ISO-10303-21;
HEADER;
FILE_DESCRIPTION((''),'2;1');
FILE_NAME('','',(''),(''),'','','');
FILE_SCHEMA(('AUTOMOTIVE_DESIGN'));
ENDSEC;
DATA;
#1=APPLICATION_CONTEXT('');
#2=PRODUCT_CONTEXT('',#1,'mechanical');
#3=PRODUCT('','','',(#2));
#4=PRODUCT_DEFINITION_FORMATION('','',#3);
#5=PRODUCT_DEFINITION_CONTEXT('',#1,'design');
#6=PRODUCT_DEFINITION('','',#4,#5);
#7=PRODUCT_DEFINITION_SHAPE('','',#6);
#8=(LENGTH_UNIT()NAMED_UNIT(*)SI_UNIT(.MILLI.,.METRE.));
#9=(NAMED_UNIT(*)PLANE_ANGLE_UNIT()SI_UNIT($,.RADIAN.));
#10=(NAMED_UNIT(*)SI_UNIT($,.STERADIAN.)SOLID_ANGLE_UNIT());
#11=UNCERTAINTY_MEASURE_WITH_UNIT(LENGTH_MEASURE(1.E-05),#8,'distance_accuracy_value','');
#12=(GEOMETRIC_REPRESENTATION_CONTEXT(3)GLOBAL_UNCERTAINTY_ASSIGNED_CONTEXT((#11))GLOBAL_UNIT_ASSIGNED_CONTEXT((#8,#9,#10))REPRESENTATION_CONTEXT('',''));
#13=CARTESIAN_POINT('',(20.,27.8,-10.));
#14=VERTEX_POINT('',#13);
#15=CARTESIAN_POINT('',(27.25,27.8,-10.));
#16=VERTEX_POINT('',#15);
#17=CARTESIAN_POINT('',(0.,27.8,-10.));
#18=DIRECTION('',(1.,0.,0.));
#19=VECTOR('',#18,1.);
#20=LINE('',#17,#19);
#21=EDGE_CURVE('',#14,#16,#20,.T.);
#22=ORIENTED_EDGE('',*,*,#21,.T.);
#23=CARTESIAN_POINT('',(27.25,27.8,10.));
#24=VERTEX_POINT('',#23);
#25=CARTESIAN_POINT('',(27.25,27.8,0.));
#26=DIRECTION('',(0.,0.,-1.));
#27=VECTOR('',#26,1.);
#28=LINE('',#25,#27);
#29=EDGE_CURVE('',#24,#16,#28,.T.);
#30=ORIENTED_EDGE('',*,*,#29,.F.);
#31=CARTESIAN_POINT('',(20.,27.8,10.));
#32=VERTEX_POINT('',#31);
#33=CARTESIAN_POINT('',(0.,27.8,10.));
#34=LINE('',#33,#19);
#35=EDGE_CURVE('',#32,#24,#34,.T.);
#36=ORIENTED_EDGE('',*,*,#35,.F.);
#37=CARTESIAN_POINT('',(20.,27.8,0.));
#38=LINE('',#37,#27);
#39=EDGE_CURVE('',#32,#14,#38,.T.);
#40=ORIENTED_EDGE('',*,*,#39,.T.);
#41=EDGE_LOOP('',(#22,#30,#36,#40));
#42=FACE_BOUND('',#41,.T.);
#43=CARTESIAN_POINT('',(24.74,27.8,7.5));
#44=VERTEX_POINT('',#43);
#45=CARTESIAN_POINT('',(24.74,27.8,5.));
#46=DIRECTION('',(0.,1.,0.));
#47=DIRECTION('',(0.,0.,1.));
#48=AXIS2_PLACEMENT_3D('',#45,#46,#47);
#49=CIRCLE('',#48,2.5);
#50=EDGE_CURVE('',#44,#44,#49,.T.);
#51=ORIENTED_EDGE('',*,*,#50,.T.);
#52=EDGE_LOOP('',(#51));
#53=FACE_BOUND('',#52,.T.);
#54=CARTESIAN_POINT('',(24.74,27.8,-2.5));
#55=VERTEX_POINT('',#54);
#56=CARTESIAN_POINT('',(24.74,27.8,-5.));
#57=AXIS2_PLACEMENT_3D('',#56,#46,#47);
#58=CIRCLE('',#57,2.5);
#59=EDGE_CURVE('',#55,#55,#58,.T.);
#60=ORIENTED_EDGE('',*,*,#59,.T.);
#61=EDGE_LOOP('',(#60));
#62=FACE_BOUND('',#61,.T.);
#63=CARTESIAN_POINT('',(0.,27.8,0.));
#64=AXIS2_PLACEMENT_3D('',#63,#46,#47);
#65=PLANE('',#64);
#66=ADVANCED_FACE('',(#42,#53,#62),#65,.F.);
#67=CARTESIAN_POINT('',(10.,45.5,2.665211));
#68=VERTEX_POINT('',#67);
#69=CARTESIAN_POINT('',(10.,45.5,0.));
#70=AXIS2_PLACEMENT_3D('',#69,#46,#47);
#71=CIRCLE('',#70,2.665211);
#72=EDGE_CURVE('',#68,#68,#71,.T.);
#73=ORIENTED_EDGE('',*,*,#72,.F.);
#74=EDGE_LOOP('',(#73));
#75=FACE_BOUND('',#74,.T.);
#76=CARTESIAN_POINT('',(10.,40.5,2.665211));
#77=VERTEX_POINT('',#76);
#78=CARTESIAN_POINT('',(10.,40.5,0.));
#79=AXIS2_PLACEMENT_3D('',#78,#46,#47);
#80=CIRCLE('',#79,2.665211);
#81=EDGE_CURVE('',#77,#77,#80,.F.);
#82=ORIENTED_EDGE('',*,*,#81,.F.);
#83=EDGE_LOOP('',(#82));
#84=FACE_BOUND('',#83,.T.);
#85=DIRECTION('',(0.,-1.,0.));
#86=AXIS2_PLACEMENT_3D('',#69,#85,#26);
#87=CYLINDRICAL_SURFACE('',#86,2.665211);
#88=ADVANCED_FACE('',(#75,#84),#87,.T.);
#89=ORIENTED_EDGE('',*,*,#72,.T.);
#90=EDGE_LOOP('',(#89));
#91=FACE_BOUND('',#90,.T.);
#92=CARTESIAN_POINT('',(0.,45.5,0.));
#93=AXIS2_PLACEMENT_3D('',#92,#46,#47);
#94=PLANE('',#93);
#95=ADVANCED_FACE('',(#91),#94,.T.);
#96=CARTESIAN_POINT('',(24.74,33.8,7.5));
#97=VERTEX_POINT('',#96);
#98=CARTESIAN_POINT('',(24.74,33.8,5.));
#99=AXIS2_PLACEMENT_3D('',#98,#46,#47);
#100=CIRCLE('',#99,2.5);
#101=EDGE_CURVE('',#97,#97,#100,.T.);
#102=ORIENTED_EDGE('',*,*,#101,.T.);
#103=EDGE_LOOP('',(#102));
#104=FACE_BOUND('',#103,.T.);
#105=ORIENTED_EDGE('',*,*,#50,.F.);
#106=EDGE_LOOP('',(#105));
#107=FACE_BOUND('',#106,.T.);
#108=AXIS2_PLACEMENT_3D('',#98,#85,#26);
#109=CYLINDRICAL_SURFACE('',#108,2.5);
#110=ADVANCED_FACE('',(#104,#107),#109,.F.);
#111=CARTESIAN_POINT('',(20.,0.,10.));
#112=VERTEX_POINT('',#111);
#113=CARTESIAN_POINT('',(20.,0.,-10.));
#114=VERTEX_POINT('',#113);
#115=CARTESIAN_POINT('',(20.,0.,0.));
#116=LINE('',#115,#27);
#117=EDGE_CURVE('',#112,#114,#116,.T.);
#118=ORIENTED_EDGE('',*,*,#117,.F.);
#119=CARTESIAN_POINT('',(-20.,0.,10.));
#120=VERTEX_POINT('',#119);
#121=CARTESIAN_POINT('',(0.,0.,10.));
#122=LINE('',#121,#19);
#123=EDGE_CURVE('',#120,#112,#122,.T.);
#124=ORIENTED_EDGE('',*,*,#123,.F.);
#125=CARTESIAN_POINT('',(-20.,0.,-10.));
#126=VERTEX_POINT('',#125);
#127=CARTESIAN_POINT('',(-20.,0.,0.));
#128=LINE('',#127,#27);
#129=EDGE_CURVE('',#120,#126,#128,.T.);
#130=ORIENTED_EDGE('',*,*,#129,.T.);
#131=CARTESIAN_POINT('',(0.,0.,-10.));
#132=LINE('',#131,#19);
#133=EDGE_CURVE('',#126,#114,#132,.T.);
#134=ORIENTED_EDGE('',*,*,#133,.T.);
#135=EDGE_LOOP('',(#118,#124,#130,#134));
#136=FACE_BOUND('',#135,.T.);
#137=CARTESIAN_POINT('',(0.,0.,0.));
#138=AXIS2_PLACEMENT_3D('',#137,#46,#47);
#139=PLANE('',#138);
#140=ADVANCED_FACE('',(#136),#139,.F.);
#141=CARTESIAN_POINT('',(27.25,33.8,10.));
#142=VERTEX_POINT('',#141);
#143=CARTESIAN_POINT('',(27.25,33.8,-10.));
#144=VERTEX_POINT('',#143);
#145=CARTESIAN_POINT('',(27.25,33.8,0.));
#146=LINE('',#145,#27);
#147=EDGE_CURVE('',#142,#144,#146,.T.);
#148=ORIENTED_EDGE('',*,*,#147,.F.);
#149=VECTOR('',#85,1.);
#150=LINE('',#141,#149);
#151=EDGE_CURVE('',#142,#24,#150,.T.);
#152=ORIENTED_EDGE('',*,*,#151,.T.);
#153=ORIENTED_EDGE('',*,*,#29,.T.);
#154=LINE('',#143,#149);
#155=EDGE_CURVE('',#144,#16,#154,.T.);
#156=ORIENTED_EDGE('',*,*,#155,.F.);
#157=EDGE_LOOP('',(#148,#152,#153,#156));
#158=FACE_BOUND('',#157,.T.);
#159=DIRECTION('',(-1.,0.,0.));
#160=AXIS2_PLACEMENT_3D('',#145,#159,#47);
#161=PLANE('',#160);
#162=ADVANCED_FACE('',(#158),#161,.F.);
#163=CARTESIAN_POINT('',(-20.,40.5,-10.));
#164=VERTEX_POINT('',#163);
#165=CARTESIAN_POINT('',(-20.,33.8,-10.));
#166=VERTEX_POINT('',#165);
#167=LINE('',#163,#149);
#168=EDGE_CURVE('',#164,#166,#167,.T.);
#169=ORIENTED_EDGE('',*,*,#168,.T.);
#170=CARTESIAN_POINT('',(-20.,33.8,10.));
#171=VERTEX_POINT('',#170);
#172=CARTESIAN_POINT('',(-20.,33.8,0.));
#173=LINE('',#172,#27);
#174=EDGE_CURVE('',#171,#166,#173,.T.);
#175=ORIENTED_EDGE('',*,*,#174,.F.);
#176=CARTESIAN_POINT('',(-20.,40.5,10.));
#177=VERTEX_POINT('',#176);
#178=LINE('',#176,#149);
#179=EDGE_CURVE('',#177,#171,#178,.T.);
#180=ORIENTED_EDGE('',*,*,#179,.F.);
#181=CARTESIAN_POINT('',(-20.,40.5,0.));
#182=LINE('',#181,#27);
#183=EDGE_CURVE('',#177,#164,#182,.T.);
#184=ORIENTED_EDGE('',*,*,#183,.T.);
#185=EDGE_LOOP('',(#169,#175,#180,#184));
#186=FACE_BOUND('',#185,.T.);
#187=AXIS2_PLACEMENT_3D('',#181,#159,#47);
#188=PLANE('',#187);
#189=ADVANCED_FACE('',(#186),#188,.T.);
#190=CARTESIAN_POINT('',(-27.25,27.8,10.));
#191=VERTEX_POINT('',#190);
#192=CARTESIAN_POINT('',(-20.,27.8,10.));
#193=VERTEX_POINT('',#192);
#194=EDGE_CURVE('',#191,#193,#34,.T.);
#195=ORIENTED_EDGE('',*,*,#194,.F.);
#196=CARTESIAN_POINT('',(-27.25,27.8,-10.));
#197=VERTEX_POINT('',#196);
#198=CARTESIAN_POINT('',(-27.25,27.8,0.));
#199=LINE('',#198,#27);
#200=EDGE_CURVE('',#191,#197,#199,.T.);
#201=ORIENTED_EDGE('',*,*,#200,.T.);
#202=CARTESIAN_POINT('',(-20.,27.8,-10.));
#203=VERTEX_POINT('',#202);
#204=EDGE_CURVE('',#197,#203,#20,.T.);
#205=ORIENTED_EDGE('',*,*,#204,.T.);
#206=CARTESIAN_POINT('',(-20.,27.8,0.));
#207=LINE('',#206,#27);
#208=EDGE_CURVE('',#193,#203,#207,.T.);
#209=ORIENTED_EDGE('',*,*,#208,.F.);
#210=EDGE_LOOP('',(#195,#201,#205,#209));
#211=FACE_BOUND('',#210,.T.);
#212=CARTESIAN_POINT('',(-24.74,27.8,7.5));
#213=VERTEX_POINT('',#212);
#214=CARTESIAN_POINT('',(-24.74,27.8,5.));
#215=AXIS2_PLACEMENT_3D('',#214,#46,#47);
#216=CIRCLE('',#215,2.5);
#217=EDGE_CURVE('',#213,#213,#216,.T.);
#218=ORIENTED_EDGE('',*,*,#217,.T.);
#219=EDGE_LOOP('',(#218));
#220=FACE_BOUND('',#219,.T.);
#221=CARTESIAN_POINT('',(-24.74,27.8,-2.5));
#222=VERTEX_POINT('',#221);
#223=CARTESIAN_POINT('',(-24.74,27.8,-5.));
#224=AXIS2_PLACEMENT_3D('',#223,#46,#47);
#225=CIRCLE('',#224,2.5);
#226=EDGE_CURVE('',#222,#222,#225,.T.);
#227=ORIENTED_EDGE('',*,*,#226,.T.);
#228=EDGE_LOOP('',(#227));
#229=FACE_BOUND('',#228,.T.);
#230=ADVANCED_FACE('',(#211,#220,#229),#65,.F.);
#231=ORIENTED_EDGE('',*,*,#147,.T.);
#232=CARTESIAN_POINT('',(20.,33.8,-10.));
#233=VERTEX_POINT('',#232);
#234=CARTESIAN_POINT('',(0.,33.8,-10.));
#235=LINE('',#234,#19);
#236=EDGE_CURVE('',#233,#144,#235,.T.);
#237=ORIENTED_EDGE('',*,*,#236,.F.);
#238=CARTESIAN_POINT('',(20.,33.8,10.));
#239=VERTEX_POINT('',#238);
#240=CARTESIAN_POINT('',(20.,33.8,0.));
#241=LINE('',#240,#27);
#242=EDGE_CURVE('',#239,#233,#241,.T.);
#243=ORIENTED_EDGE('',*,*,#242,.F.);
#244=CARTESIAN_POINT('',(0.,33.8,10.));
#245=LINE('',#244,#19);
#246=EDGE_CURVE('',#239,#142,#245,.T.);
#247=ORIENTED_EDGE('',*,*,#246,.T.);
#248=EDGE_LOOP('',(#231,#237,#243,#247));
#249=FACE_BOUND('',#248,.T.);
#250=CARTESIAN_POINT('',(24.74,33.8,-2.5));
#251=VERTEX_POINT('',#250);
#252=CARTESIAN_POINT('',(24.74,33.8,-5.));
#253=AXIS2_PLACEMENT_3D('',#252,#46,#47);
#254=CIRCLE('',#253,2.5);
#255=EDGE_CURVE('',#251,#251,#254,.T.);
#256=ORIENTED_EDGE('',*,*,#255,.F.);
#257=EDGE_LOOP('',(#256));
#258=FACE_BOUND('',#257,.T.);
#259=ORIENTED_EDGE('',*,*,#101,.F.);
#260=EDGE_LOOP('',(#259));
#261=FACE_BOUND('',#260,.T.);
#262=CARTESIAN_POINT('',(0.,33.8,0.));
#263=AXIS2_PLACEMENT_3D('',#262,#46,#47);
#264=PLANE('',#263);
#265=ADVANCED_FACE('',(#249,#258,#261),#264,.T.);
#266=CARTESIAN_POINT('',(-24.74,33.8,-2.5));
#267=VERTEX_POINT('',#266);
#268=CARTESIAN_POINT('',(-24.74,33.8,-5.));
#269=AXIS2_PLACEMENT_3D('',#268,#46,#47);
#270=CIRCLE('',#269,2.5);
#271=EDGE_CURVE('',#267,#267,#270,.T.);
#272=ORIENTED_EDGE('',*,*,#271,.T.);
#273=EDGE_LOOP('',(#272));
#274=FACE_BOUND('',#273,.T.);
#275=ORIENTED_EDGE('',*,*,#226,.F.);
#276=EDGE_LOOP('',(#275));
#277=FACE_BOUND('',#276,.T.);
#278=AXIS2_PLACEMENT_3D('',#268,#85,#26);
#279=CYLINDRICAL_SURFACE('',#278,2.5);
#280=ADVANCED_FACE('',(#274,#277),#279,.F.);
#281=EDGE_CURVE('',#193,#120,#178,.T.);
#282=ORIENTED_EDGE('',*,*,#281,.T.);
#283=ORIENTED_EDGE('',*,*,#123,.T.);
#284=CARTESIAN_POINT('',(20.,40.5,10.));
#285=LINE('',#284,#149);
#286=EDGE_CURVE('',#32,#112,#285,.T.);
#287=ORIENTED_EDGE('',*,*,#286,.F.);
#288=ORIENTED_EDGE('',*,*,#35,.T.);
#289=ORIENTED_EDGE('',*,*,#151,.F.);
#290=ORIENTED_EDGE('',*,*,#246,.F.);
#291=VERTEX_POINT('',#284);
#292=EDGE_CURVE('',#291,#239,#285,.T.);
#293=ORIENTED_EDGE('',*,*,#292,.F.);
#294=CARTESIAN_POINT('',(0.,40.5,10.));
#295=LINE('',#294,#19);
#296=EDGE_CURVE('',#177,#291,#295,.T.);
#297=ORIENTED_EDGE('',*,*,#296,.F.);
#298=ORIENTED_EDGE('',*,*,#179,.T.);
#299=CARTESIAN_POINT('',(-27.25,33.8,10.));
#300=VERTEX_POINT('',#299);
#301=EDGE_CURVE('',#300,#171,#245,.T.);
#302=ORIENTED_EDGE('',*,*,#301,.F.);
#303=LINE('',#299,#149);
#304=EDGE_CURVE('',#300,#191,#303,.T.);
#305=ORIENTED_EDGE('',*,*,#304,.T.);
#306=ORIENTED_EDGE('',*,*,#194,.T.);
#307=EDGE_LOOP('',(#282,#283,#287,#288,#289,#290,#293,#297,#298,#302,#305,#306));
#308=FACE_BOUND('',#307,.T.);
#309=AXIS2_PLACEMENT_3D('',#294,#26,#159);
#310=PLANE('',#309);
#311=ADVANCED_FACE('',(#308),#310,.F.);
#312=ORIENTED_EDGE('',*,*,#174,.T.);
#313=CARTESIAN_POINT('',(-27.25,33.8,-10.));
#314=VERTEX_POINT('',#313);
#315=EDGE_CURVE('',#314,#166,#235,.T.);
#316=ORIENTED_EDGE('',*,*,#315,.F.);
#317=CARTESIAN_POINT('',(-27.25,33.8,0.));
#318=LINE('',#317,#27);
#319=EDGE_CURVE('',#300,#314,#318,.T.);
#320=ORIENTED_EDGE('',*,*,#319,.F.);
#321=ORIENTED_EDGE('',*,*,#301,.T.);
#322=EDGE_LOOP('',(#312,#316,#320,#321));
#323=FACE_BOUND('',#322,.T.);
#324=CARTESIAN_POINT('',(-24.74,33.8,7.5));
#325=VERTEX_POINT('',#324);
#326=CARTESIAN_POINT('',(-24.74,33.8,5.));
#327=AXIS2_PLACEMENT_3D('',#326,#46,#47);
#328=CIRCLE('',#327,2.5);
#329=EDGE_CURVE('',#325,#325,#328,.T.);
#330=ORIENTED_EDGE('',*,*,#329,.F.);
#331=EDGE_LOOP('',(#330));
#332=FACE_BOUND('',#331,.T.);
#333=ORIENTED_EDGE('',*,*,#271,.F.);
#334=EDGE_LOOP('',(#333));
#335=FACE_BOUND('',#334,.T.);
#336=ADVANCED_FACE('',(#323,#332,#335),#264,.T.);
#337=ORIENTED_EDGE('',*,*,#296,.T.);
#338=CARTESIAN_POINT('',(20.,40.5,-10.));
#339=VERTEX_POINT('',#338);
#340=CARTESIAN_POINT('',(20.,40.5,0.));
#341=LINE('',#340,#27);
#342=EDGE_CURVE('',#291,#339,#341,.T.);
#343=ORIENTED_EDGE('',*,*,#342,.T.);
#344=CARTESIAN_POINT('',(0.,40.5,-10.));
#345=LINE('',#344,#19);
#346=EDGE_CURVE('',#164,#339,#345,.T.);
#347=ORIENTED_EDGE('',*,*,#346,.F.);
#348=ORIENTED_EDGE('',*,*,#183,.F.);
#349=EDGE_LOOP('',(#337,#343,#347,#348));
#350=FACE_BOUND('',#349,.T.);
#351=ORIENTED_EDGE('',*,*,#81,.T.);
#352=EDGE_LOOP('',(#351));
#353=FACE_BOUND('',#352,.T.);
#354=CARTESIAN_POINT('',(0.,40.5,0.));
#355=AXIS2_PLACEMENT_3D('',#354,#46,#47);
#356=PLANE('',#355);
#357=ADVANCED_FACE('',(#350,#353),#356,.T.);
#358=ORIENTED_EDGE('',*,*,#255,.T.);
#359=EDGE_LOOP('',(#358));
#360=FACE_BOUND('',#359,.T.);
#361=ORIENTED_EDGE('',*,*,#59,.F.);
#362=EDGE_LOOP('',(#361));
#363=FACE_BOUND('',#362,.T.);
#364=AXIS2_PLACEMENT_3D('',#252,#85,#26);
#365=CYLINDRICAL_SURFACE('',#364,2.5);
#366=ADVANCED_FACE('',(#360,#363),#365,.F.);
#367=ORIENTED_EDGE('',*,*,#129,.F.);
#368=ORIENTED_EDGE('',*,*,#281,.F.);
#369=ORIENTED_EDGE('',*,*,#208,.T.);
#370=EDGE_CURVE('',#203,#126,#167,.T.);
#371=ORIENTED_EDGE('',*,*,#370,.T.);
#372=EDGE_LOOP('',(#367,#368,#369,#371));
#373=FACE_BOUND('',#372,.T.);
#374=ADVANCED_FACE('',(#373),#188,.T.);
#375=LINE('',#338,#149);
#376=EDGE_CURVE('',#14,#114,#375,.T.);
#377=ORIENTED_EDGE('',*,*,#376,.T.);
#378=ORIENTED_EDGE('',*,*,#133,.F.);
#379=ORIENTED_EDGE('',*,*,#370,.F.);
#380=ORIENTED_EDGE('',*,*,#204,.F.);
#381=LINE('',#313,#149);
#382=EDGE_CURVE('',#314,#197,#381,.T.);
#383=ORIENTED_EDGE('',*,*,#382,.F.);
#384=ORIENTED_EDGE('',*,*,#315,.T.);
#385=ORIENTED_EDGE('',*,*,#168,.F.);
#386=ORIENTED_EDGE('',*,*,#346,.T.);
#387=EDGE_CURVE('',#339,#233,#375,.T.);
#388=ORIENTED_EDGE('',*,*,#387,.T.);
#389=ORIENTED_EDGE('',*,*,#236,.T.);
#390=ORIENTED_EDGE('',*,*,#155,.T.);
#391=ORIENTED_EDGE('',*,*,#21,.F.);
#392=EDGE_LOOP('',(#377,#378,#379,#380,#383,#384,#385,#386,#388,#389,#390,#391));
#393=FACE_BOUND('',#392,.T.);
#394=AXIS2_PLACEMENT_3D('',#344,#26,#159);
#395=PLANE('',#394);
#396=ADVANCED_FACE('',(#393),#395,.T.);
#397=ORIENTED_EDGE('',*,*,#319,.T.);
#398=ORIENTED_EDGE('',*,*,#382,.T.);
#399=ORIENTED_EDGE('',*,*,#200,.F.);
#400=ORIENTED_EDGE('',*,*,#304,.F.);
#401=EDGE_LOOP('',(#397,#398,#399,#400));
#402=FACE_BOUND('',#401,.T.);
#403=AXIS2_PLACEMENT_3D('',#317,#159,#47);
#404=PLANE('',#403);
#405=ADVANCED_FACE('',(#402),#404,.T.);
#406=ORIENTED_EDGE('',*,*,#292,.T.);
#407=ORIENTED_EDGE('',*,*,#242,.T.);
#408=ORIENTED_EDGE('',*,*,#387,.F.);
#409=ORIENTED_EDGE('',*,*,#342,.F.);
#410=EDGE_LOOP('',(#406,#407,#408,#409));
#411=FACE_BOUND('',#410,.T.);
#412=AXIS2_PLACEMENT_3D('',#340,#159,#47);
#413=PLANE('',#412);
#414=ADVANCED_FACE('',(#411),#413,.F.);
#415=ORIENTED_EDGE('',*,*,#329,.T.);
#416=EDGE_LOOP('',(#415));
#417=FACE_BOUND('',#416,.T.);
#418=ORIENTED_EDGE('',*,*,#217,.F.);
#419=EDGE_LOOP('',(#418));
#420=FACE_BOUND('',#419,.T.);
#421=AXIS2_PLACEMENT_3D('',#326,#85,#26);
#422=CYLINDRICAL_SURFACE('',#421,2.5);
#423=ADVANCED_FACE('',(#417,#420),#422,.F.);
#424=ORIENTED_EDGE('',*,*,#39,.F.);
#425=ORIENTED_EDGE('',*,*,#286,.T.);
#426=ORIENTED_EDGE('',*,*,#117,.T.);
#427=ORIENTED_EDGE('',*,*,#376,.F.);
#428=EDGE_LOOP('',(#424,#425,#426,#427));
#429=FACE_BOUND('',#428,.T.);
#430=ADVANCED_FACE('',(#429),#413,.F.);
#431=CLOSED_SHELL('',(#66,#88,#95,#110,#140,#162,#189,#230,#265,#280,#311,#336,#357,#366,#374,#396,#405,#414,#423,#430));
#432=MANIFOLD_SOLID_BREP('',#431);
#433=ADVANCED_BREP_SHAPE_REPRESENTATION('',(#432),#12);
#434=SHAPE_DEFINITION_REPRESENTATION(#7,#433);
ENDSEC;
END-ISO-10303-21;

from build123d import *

# Parameters (mm, degrees)
SKETCH2_W           = 40
SKETCH2_H           = 20
BOSS_EXTRUDE1_DEPTH = 40.5
BOSS_EXTRUDE3_START = 27.8
SKETCH2_5_W         = 7.25
SKETCH2_5_H         = 20
SKETCH2_5_R         = 2.5
BOSS_EXTRUDE3_DEPTH = 6
SKETCH2_6_R         = 2.665211454
BOSS_EXTRUDE4_DEPTH = 45.5


with BuildPart() as part:
    # Sketch2 → Boss-Extrude1 (new body)
    with BuildSketch(Plane(origin=(0, 0, 0), x_dir=(1, 0, 0), z_dir=(0, 1, 0))):
        Rectangle(SKETCH2_W, SKETCH2_H)
    extrude(amount=BOSS_EXTRUDE1_DEPTH)

    # Sketch2<5> → Boss-Extrude3 (add)
    # profile 1 of 2: a face of its own
    with BuildSketch(Plane(origin=(0, 0, 0), x_dir=(1, 0, 0), z_dir=(0, 1, 0)).offset(BOSS_EXTRUDE3_START)):
        with Locations((-23.625, 0)):
            Rectangle(SKETCH2_5_W, SKETCH2_5_H)
        with Locations((-24.74, -5)):
            Circle(SKETCH2_5_R, mode=Mode.SUBTRACT)
        with Locations((-24.74, 5)):
            Circle(SKETCH2_5_R, mode=Mode.SUBTRACT)
    # profile 2 of 2: a face of its own
    with BuildSketch(Plane(origin=(0, 0, 0), x_dir=(1, 0, 0), z_dir=(0, 1, 0)).offset(BOSS_EXTRUDE3_START)):
        with Locations((23.625, 0)):
            Rectangle(SKETCH2_5_W, SKETCH2_5_H)
        with Locations((24.74, -5)):
            Circle(SKETCH2_5_R, mode=Mode.SUBTRACT)
        with Locations((24.74, 5)):
            Circle(SKETCH2_5_R, mode=Mode.SUBTRACT)
    extrude(amount=BOSS_EXTRUDE3_DEPTH)

    # Sketch2<6> → Boss-Extrude4 (add)
    with BuildSketch(Plane(origin=(0, 0, 0), x_dir=(1, 0, 0), z_dir=(0, 1, 0))):
        with Locations((10, 0)):
            Circle(SKETCH2_6_R)
    extrude(amount=BOSS_EXTRUDE4_DEPTH)


solid = part.part
